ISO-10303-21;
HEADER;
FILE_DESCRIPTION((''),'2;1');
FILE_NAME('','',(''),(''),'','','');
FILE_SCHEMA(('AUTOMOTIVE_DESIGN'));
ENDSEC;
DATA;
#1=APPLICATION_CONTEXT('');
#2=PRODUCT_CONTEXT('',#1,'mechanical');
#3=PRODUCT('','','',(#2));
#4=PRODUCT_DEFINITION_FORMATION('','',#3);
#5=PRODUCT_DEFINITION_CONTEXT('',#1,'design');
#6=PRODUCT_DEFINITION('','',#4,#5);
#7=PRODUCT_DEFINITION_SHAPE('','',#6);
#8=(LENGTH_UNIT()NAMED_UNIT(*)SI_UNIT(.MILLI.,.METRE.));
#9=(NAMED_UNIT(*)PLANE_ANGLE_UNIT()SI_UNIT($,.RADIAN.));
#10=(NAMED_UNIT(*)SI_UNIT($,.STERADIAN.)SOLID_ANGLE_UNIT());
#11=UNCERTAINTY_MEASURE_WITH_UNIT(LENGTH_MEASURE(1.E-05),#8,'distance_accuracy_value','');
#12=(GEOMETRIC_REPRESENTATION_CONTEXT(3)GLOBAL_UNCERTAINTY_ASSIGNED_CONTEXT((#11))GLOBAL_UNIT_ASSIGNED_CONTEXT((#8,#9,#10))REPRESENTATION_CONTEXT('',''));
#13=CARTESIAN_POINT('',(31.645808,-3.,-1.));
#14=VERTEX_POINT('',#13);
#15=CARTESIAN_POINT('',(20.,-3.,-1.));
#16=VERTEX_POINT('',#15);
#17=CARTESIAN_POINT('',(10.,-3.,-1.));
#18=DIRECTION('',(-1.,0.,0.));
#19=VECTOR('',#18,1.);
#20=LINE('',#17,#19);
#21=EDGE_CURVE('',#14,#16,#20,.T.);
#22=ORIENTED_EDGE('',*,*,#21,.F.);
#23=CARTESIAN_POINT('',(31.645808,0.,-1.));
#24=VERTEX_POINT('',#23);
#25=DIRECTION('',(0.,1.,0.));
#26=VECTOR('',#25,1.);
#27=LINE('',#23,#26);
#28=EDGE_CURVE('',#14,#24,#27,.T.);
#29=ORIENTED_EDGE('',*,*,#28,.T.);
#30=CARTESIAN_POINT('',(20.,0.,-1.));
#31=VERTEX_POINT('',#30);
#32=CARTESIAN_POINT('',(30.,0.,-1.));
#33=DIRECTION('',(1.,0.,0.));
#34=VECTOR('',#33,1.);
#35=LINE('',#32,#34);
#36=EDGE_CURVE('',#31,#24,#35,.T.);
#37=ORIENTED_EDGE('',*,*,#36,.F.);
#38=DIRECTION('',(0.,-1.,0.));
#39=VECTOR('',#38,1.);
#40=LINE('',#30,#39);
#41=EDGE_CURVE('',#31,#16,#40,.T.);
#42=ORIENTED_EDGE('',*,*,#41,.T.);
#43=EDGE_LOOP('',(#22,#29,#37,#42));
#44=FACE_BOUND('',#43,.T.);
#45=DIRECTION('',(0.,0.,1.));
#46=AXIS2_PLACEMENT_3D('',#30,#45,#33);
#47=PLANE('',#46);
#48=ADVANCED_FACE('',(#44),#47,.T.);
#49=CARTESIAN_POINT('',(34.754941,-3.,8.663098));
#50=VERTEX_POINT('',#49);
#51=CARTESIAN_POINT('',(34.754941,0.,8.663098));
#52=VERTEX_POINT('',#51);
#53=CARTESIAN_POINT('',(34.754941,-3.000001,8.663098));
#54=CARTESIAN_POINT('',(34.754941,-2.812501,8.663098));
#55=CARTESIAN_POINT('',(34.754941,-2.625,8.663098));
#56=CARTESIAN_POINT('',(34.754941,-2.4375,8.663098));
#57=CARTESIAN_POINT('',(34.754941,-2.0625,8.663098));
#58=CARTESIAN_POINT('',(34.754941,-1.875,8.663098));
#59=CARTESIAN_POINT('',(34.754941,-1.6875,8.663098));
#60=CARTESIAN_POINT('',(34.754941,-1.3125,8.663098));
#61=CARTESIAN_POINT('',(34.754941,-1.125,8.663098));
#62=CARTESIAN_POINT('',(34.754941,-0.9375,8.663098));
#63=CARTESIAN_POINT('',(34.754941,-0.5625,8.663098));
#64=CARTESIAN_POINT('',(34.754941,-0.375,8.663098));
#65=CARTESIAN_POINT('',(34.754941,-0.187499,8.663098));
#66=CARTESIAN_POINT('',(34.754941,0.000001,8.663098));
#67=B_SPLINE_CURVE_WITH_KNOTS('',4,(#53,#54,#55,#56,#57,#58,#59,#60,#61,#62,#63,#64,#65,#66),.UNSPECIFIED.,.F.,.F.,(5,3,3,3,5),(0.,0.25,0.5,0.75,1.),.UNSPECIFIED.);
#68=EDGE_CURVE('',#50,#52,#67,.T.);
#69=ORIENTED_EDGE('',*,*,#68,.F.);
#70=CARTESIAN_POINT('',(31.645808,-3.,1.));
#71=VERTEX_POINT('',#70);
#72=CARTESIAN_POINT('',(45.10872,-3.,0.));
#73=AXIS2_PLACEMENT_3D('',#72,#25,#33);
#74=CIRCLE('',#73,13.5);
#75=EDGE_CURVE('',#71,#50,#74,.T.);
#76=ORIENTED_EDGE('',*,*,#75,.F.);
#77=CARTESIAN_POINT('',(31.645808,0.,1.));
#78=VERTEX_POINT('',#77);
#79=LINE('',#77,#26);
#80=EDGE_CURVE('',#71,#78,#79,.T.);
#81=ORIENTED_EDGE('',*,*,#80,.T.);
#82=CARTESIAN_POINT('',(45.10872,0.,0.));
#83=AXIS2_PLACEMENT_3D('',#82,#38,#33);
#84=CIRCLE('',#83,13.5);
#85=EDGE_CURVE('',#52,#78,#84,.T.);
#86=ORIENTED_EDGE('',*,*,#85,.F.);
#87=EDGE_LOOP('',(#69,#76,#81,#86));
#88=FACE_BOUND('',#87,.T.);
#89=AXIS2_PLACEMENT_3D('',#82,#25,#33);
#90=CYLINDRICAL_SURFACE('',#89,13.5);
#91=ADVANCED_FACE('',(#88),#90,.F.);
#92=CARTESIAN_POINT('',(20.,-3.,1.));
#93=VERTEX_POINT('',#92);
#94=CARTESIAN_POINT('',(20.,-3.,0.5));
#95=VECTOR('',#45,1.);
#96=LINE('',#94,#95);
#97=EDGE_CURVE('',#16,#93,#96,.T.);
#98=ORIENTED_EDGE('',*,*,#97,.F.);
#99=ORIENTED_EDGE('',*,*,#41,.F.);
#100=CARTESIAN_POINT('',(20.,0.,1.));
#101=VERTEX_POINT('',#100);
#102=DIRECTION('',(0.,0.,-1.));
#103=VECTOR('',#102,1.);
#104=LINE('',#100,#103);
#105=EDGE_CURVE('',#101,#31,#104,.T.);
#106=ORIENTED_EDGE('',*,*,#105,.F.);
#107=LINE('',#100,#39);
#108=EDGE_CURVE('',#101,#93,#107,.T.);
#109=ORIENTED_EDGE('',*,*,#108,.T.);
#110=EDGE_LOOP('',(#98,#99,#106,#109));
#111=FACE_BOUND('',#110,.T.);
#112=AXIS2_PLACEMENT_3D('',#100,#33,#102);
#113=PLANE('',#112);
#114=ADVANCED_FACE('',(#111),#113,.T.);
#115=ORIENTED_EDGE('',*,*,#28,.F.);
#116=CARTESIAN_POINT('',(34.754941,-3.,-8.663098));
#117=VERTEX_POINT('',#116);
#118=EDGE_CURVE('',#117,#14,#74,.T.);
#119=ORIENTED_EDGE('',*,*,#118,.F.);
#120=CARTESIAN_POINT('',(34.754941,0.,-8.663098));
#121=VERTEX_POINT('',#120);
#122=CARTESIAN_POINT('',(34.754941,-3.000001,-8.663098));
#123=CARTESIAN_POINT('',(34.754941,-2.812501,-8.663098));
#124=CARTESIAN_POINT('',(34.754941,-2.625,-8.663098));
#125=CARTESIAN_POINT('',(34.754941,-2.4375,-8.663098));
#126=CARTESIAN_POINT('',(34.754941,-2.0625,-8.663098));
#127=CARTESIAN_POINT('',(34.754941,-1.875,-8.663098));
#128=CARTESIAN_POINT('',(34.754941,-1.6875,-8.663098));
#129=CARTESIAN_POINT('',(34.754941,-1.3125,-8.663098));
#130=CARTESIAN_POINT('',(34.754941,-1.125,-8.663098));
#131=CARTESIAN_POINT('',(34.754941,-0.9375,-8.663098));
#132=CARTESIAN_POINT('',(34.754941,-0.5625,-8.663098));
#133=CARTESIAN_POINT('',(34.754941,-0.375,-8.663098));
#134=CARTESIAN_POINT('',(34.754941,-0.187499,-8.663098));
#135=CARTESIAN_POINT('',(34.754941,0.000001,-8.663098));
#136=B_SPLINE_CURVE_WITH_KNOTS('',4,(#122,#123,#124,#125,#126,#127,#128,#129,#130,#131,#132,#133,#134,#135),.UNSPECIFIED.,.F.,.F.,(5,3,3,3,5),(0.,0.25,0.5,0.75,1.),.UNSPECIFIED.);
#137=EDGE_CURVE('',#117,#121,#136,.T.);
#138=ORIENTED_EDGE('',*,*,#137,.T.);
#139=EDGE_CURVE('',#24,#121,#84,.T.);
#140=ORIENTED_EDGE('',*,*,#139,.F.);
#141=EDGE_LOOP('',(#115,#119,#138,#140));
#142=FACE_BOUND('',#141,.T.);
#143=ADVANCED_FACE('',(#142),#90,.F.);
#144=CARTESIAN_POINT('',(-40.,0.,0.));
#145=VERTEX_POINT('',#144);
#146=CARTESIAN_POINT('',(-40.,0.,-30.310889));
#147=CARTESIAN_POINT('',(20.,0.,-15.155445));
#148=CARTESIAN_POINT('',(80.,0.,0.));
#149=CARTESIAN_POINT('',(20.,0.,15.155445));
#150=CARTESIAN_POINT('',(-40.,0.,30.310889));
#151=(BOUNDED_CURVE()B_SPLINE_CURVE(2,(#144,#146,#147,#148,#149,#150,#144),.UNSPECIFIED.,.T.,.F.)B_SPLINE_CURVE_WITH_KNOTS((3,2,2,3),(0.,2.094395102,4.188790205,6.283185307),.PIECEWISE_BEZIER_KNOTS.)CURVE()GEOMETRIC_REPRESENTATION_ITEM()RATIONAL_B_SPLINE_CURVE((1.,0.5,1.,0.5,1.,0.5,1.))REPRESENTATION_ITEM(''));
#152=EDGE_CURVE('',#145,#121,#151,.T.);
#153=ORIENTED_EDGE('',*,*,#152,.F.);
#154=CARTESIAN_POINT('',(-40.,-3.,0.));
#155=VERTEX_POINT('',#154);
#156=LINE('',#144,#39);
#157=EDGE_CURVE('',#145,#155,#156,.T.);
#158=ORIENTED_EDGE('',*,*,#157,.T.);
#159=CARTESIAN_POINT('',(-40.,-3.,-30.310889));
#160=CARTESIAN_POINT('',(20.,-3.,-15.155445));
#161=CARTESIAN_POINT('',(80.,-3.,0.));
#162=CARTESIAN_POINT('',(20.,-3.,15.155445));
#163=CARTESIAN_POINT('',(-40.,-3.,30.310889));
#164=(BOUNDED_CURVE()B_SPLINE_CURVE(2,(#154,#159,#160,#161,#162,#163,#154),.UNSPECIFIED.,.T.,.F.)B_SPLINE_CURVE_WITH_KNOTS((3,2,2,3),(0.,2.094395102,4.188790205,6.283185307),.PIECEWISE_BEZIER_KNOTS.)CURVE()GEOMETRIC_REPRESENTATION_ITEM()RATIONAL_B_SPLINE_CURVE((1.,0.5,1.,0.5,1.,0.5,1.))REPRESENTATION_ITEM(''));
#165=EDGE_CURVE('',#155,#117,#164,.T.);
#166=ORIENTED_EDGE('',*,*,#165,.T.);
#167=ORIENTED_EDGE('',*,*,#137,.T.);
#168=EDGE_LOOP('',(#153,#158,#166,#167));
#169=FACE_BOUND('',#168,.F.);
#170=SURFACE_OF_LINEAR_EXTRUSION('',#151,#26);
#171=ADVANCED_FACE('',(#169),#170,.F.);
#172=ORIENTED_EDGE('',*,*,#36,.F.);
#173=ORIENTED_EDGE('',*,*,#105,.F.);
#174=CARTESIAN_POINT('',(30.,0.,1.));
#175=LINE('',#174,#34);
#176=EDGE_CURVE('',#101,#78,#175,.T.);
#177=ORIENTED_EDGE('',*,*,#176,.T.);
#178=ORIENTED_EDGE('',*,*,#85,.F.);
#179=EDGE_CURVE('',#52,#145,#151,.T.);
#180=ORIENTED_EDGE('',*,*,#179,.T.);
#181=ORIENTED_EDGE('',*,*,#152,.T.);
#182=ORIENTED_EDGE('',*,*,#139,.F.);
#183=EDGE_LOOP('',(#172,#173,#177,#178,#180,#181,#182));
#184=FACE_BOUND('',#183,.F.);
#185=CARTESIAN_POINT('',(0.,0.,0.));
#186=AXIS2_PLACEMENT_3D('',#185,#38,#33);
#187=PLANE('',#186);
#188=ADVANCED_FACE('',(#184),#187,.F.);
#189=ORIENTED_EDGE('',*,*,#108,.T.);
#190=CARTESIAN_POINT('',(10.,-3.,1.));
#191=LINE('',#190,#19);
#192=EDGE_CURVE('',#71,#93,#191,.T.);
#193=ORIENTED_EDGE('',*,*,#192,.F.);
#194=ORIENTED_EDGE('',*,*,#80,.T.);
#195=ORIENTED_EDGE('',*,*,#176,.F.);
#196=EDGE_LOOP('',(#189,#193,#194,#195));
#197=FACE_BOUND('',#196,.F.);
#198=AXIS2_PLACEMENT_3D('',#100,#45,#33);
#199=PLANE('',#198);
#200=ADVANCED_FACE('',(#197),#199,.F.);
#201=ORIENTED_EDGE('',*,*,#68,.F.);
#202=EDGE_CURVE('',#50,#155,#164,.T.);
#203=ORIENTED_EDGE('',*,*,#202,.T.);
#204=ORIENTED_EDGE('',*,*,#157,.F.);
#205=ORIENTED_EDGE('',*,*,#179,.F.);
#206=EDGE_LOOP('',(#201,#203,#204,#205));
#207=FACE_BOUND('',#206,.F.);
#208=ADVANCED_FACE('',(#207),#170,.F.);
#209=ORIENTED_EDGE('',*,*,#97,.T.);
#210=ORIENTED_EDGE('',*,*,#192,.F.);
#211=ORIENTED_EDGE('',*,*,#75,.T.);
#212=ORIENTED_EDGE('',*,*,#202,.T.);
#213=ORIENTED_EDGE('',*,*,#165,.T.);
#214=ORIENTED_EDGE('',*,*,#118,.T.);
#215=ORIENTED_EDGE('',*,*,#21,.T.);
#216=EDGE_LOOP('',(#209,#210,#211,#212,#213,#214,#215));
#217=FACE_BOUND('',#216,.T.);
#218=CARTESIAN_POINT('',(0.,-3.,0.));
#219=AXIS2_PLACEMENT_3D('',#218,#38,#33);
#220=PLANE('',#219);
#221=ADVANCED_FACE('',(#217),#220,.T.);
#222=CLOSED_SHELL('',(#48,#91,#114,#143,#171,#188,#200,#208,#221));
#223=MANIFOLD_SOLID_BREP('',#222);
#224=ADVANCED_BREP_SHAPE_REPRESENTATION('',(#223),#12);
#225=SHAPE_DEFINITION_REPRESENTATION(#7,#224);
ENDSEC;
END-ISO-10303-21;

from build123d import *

# Parameters (mm, degrees)
F1_DEPTH = 3
F2_R     = 13.5
F3_DEPTH = 25
F4_W     = 20
F4_H     = 1
F5_DEPTH = 25


with BuildPart() as f1:
    # F0 (on Front) → F1 (new body)
    with BuildSketch(Plane.XZ):
        with BuildLine():
            add(Edge.make_bspline(
                [(-40, 0), (-40, -30.3108891325), (20, -15.1554445662), (80, 0), (20, 15.1554445662), (-40, 30.3108891325), (-40, 0)],
                knots=[0, 0, 0, 2.0943951024, 2.0943951024, 4.1887902048, 4.1887902048, 6.2831853072, 6.2831853072, 6.2831853072], degree=2, weights=[1, 0.5, 1, 0.5, 1, 0.5, 1]))
        make_face()
    extrude(amount=F1_DEPTH)

    # F2 (on Front) → F3 (cut)
    with BuildSketch(Plane.XZ):
        with Locations((45.1087198094, 0)):
            Circle(F2_R)
    extrude(amount=F3_DEPTH, mode=Mode.SUBTRACT)

    # F4 (on Front) → F5 (cut)
    with BuildSketch(Plane.XZ):
        with Locations((30, 0.5)):
            Rectangle(F4_W, F4_H)
        with Locations((30, -0.5)):
            Rectangle(F4_W, F4_H)
    extrude(amount=F5_DEPTH, mode=Mode.SUBTRACT)


solid = f1.part
